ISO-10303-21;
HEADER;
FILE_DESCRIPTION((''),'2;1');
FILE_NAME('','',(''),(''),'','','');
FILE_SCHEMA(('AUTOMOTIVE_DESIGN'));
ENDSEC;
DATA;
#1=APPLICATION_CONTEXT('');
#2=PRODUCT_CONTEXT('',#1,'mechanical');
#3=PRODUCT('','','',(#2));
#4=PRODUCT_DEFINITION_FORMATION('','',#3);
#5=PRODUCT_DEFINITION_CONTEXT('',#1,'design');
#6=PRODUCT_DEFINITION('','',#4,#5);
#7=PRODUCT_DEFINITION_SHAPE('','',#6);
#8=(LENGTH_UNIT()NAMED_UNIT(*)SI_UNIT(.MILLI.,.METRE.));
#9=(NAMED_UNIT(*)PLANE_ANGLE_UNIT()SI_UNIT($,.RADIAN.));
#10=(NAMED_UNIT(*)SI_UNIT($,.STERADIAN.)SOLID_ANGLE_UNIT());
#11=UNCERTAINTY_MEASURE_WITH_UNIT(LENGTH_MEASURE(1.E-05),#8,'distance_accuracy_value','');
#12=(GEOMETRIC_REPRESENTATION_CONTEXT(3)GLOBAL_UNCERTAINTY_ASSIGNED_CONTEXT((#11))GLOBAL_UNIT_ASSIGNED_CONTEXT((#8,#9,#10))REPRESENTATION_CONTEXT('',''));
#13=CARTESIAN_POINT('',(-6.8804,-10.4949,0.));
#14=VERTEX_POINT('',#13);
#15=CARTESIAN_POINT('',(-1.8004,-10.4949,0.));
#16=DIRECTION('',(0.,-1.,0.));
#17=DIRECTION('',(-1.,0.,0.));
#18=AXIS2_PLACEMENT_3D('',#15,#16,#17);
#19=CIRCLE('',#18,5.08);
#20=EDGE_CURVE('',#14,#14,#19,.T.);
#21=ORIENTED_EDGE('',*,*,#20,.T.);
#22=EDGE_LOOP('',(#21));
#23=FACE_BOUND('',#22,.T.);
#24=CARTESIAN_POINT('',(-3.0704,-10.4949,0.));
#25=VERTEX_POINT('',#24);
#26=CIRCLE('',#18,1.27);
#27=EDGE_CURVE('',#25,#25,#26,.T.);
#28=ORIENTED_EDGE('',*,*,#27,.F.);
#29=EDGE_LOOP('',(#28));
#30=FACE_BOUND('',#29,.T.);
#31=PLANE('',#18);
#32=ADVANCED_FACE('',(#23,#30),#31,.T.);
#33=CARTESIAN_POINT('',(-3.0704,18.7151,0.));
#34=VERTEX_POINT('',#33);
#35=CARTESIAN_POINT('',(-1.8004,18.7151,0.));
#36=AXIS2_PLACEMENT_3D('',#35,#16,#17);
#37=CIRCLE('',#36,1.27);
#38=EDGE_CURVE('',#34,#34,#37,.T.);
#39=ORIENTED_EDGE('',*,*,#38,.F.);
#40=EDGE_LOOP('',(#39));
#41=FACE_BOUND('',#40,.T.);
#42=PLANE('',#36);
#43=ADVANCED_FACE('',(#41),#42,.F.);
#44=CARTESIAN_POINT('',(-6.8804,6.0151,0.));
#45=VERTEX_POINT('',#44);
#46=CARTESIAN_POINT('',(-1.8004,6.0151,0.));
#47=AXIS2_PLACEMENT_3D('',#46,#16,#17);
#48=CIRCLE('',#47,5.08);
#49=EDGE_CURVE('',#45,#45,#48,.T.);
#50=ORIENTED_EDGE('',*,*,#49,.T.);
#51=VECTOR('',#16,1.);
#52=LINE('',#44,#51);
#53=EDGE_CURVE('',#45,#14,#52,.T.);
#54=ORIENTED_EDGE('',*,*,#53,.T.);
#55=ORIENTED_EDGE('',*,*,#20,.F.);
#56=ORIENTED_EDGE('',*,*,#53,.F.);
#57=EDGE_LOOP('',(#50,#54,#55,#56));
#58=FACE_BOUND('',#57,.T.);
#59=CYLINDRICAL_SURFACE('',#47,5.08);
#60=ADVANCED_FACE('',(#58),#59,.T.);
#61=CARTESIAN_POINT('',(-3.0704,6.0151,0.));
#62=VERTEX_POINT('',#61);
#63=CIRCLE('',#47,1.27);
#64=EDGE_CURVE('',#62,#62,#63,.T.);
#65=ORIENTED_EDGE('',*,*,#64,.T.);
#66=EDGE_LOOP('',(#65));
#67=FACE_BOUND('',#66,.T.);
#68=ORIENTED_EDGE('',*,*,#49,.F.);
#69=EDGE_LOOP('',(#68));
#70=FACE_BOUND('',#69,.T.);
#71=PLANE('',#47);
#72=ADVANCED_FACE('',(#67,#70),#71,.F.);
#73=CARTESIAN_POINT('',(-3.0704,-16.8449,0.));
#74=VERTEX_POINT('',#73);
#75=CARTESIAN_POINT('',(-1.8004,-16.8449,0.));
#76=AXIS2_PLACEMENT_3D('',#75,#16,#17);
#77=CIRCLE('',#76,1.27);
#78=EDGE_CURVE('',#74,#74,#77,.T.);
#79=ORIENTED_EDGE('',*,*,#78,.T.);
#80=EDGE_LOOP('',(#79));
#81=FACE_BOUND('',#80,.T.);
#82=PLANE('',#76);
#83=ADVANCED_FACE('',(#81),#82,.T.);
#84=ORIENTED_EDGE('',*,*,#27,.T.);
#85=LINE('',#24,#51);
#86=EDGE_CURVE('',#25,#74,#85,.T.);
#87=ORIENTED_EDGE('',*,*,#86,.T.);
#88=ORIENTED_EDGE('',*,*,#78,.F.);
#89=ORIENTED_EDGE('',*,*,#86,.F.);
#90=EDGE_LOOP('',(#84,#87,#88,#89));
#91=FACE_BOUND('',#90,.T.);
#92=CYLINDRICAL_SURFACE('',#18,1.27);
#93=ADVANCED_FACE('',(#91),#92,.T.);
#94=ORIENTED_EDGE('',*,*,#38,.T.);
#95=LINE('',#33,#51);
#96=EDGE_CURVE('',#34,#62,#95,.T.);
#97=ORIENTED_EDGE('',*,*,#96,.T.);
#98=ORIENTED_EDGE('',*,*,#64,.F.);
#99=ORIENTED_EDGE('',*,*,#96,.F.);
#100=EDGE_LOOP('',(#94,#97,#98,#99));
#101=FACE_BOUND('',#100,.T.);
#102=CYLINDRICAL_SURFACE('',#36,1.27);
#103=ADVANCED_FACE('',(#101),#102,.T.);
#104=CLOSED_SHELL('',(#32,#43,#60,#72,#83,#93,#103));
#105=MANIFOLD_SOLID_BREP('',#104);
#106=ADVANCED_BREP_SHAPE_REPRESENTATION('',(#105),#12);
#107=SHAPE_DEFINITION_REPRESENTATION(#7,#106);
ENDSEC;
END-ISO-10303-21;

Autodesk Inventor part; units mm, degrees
ref_plane "YZ Plane" through (0, 0, 0) normal (1, 0, 0) x (0, 1, 0)
ref_plane "XZ Plane" through (0, 0, 0) normal (0, 1, 0) x (-1, 0, 0)
ref_plane "XY Plane" through (0, 0, 0) normal (0, 0, 1) x (1, 0, 0)
sketch "Sketch1" plane through (0, 0, 0) normal (0, 0, 1) x (1, 0, 0)
  line L0 (-3.0704, 18.7151) -> (-3.0704, 6.0151)
  line L1 (-3.0704, 6.0151) -> (-6.8804, 6.0151)
  line L2 (-6.8804, 6.0151) -> (-6.8804, -10.4949)
  line L3 (-6.8804, -10.4949) -> (-3.0704, -10.4949)
  line L4 (-3.0704, -10.4949) -> (-3.0704, -16.8449)
  line L5 (-3.0704, -16.8449) -> (-1.8004, -16.8449)
  line L6 (-1.8004, 18.7151) -> (-3.0704, 18.7151)
  line L7 (-1.8004, 18.7151) -> (-1.8004, -16.8449)
  dimension "d0" = 16.51
  dimension "d1" = 12.7
  dimension "d3" = 1.27
  dimension "d8" = 5.08
  dimension "d9" = 6.35
revolve "Revolution1" add sketch "Sketch1" angle 360 about axis through (-1.8004, 18.7151, 0) along (0, -1, 0)
properties part number "roll1"
